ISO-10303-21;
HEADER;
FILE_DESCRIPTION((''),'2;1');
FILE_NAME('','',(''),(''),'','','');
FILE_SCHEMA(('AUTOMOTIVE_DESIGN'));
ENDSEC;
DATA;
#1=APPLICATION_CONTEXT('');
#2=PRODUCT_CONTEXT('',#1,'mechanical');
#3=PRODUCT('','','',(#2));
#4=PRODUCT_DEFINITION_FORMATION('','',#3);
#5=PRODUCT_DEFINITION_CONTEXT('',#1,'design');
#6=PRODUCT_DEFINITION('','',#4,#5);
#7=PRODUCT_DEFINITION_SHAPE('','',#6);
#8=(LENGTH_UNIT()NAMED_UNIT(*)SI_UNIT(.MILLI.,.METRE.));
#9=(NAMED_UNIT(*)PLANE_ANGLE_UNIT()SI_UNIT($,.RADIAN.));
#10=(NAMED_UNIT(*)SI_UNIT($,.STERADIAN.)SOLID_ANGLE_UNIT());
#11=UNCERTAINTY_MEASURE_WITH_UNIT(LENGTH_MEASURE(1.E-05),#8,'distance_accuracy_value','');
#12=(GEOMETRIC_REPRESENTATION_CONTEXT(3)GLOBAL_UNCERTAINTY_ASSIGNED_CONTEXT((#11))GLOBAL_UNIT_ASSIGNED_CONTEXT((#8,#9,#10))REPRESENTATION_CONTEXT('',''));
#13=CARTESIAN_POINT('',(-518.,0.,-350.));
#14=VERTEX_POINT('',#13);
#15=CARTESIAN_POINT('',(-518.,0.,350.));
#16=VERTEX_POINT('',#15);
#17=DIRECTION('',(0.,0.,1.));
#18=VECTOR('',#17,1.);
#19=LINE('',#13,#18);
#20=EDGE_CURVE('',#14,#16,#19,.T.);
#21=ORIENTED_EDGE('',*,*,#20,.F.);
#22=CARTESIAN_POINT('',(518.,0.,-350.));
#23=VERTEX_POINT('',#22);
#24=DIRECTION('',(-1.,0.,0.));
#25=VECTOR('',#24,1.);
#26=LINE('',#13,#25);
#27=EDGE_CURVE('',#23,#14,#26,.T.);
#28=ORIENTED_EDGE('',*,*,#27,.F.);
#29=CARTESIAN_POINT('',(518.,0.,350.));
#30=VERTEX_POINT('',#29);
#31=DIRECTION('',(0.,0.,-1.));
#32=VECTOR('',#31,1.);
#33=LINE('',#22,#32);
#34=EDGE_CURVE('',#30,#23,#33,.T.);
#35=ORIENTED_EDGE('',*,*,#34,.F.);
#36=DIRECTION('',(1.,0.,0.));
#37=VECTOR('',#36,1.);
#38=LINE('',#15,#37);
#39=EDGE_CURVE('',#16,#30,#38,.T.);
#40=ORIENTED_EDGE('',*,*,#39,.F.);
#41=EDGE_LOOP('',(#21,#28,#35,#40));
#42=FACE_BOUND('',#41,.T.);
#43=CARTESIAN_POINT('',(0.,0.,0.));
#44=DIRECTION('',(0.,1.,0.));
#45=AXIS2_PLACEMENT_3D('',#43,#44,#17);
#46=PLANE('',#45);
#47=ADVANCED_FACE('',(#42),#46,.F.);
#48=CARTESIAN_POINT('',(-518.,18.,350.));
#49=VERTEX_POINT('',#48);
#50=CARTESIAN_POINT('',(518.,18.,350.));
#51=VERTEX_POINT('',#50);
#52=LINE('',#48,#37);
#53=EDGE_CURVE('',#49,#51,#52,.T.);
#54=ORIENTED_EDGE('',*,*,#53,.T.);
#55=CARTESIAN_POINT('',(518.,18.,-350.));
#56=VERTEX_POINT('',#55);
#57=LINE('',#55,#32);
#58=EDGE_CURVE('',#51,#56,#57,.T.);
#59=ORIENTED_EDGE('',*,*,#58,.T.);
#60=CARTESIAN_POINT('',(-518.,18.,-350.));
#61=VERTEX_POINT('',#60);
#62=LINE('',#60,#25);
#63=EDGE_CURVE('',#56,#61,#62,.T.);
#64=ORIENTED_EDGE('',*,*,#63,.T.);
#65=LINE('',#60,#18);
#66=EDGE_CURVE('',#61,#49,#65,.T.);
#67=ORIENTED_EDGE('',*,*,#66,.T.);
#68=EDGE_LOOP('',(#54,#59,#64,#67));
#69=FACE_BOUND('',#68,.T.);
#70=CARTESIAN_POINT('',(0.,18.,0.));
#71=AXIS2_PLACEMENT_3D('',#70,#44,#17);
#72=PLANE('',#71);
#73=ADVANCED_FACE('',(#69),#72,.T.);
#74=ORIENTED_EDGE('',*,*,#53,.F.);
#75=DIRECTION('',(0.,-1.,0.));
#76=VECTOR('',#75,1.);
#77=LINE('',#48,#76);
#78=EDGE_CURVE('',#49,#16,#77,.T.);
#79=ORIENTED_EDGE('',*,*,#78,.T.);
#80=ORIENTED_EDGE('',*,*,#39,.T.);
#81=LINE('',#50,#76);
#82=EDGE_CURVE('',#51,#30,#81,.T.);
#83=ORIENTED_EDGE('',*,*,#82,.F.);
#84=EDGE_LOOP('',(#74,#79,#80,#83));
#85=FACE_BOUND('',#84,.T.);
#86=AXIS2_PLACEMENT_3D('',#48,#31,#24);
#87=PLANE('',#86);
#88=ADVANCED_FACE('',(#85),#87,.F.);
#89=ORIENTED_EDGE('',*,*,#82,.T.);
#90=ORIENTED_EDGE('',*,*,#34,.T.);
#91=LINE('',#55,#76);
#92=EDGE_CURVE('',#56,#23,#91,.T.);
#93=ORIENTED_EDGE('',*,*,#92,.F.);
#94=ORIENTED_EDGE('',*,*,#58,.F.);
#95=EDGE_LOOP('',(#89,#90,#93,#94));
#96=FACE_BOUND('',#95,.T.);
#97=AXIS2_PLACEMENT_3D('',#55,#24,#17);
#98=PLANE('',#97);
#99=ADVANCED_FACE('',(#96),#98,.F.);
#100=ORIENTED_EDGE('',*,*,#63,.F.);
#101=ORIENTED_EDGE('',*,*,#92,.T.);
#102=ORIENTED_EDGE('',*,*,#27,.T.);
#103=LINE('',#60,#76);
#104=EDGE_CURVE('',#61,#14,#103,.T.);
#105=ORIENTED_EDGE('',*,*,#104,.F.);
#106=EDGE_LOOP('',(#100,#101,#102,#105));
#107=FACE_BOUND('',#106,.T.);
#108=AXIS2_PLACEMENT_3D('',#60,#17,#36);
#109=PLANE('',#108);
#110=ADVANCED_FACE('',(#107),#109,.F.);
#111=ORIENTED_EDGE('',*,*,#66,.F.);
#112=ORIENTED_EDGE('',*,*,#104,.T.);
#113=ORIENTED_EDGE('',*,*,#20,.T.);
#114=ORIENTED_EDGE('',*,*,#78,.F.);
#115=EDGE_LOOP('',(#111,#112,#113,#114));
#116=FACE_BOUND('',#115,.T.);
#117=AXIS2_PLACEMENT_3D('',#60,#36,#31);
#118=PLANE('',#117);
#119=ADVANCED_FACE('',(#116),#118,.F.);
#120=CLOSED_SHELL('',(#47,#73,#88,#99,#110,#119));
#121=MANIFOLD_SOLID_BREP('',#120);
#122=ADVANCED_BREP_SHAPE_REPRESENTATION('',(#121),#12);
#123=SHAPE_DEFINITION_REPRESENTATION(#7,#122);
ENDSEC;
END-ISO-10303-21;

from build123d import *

# Parameters (mm, degrees)
ESQUISSE1_W        = 1036
ESQUISSE1_H        = 700
BOSS_EXTRU_1_DEPTH = 18


with BuildPart() as part:
    # Esquisse1 → Boss.-Extru.1 (new body)
    with BuildSketch(Plane(origin=(0, 0, 0), x_dir=(1, 0, 0), z_dir=(0, 1, 0))):
        Rectangle(ESQUISSE1_W, ESQUISSE1_H)
    extrude(amount=BOSS_EXTRU_1_DEPTH)


solid = part.part
